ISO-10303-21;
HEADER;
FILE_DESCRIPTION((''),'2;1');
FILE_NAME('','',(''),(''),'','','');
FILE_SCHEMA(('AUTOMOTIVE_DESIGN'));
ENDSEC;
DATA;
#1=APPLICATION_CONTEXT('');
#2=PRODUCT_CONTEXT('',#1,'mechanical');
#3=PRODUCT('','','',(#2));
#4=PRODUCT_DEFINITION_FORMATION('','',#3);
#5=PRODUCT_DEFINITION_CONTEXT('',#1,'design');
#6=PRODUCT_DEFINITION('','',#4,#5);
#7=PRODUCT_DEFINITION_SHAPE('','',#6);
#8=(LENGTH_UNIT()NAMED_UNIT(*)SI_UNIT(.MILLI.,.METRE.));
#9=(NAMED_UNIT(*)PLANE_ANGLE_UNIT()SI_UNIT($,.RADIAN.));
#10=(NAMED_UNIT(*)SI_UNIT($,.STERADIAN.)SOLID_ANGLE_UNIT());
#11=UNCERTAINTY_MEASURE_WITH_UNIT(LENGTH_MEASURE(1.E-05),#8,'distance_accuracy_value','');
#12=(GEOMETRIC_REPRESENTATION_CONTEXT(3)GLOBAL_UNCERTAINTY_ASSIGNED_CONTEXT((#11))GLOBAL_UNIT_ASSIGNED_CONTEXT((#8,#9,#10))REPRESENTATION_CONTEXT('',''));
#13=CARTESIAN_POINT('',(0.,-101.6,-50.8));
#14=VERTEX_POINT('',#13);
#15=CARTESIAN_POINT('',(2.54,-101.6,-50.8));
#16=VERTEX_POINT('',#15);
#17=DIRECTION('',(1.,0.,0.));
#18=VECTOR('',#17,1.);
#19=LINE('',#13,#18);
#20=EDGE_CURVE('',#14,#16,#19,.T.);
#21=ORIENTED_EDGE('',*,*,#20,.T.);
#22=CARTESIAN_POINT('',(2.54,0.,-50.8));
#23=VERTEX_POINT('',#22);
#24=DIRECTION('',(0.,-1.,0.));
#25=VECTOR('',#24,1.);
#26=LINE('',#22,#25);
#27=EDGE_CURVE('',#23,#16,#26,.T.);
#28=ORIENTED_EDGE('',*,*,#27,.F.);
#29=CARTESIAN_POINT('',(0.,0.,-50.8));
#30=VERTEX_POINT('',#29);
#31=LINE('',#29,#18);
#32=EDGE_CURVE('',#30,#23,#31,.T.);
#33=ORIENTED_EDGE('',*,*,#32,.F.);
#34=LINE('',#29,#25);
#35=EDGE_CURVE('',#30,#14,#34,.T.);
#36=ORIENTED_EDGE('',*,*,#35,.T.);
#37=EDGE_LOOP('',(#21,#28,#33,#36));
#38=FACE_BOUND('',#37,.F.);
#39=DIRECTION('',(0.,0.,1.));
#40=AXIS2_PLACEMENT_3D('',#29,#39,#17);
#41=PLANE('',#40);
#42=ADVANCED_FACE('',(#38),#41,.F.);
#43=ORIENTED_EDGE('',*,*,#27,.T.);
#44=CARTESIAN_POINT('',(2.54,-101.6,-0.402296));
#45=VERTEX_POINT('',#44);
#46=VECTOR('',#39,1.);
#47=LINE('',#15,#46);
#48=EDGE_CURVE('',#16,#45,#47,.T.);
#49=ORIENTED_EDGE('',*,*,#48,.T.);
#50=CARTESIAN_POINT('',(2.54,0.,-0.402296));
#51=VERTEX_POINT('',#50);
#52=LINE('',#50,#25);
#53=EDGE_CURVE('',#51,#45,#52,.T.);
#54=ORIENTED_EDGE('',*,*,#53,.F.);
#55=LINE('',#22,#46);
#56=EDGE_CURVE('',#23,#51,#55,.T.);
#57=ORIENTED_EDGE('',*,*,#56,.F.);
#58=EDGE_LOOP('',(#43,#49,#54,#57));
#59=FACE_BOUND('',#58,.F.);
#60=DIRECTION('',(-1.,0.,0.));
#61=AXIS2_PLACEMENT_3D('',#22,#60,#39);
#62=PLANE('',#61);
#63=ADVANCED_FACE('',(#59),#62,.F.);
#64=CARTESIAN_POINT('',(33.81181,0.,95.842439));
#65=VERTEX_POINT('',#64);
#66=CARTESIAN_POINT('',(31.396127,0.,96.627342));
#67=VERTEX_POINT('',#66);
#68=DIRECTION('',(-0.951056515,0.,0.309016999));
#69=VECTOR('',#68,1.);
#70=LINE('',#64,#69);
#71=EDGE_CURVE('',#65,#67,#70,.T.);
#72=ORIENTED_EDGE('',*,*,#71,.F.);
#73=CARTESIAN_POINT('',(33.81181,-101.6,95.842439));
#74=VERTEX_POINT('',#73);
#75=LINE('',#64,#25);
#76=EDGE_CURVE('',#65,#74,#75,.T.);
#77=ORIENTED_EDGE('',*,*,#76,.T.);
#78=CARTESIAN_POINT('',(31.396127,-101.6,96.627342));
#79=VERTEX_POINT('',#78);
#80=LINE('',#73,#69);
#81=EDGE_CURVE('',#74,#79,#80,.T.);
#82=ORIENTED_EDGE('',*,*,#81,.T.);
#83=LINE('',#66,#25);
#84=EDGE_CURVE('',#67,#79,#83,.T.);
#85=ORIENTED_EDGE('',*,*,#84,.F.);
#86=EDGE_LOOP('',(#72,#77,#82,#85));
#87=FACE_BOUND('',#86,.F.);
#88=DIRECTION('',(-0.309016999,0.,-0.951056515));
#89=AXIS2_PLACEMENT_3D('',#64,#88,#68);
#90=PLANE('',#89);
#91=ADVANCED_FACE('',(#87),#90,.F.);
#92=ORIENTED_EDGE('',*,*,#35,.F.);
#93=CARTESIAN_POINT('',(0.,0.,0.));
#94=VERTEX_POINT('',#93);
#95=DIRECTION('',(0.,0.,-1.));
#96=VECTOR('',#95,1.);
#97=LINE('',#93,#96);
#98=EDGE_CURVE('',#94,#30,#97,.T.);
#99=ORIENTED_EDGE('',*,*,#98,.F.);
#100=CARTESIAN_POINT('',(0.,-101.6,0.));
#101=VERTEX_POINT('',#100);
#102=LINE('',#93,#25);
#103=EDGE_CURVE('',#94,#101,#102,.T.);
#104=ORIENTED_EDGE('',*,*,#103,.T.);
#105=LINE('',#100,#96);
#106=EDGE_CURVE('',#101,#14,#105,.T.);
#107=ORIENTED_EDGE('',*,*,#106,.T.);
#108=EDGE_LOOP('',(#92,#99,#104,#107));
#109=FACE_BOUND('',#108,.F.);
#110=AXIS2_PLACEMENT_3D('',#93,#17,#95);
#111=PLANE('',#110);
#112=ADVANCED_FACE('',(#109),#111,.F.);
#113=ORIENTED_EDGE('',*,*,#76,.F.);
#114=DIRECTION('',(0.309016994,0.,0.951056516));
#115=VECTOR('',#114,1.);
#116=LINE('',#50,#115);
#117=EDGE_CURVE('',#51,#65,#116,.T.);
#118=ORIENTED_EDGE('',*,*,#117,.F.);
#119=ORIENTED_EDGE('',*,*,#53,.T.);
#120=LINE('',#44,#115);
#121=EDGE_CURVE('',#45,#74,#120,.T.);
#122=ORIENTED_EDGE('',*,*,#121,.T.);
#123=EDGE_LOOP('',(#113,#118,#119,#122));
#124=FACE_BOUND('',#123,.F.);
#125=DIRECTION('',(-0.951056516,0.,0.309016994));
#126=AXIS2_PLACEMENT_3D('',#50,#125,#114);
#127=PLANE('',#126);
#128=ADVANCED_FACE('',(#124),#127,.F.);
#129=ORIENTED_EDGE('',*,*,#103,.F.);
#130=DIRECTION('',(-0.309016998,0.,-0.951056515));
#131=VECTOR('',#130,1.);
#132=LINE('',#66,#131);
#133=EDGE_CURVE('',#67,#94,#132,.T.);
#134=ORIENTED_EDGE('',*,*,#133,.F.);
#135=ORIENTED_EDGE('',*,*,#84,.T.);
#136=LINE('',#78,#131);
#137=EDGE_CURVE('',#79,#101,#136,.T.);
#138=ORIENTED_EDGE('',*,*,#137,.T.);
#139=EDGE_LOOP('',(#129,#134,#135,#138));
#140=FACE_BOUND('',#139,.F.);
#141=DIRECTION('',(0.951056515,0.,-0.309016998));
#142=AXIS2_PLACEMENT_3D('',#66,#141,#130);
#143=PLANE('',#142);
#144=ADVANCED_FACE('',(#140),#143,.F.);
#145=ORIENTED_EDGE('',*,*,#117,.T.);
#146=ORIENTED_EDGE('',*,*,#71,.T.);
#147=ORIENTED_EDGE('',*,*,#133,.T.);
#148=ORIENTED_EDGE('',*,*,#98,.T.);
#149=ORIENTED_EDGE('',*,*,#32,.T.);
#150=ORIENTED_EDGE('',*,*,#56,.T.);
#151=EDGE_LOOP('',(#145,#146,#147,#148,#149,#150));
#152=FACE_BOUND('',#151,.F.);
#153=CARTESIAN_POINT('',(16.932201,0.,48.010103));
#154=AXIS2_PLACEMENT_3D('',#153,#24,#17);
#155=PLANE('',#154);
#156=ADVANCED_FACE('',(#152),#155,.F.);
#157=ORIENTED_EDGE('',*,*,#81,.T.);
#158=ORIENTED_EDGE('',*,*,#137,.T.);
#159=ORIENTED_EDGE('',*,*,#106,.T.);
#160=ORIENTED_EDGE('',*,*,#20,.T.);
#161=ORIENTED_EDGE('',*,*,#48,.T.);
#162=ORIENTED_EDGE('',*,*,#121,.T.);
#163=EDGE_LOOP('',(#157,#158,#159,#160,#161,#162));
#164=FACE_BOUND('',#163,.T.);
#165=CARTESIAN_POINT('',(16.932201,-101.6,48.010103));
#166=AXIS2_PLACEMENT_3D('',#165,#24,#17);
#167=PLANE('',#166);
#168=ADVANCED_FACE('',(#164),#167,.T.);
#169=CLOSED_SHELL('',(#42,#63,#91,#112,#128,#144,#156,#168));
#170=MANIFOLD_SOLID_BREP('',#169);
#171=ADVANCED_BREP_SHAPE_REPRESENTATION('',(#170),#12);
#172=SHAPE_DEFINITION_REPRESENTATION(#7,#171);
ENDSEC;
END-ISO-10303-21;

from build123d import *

# Parameters (mm, degrees)
F1_DEPTH = 101.6


with BuildPart() as f1:
    # F0 (on Front) → F1 (new body)
    with BuildSketch(Plane.XZ):
        Polygon((31.396127, 96.627342), (0, 0), (2.54, -0.402296), (33.81181, 95.842439), align=None)
        Polygon((2.54, -0.402296), (0, 0), (0, -50.8), (2.54, -50.8), align=None)
    extrude(amount=F1_DEPTH)


solid = f1.part
